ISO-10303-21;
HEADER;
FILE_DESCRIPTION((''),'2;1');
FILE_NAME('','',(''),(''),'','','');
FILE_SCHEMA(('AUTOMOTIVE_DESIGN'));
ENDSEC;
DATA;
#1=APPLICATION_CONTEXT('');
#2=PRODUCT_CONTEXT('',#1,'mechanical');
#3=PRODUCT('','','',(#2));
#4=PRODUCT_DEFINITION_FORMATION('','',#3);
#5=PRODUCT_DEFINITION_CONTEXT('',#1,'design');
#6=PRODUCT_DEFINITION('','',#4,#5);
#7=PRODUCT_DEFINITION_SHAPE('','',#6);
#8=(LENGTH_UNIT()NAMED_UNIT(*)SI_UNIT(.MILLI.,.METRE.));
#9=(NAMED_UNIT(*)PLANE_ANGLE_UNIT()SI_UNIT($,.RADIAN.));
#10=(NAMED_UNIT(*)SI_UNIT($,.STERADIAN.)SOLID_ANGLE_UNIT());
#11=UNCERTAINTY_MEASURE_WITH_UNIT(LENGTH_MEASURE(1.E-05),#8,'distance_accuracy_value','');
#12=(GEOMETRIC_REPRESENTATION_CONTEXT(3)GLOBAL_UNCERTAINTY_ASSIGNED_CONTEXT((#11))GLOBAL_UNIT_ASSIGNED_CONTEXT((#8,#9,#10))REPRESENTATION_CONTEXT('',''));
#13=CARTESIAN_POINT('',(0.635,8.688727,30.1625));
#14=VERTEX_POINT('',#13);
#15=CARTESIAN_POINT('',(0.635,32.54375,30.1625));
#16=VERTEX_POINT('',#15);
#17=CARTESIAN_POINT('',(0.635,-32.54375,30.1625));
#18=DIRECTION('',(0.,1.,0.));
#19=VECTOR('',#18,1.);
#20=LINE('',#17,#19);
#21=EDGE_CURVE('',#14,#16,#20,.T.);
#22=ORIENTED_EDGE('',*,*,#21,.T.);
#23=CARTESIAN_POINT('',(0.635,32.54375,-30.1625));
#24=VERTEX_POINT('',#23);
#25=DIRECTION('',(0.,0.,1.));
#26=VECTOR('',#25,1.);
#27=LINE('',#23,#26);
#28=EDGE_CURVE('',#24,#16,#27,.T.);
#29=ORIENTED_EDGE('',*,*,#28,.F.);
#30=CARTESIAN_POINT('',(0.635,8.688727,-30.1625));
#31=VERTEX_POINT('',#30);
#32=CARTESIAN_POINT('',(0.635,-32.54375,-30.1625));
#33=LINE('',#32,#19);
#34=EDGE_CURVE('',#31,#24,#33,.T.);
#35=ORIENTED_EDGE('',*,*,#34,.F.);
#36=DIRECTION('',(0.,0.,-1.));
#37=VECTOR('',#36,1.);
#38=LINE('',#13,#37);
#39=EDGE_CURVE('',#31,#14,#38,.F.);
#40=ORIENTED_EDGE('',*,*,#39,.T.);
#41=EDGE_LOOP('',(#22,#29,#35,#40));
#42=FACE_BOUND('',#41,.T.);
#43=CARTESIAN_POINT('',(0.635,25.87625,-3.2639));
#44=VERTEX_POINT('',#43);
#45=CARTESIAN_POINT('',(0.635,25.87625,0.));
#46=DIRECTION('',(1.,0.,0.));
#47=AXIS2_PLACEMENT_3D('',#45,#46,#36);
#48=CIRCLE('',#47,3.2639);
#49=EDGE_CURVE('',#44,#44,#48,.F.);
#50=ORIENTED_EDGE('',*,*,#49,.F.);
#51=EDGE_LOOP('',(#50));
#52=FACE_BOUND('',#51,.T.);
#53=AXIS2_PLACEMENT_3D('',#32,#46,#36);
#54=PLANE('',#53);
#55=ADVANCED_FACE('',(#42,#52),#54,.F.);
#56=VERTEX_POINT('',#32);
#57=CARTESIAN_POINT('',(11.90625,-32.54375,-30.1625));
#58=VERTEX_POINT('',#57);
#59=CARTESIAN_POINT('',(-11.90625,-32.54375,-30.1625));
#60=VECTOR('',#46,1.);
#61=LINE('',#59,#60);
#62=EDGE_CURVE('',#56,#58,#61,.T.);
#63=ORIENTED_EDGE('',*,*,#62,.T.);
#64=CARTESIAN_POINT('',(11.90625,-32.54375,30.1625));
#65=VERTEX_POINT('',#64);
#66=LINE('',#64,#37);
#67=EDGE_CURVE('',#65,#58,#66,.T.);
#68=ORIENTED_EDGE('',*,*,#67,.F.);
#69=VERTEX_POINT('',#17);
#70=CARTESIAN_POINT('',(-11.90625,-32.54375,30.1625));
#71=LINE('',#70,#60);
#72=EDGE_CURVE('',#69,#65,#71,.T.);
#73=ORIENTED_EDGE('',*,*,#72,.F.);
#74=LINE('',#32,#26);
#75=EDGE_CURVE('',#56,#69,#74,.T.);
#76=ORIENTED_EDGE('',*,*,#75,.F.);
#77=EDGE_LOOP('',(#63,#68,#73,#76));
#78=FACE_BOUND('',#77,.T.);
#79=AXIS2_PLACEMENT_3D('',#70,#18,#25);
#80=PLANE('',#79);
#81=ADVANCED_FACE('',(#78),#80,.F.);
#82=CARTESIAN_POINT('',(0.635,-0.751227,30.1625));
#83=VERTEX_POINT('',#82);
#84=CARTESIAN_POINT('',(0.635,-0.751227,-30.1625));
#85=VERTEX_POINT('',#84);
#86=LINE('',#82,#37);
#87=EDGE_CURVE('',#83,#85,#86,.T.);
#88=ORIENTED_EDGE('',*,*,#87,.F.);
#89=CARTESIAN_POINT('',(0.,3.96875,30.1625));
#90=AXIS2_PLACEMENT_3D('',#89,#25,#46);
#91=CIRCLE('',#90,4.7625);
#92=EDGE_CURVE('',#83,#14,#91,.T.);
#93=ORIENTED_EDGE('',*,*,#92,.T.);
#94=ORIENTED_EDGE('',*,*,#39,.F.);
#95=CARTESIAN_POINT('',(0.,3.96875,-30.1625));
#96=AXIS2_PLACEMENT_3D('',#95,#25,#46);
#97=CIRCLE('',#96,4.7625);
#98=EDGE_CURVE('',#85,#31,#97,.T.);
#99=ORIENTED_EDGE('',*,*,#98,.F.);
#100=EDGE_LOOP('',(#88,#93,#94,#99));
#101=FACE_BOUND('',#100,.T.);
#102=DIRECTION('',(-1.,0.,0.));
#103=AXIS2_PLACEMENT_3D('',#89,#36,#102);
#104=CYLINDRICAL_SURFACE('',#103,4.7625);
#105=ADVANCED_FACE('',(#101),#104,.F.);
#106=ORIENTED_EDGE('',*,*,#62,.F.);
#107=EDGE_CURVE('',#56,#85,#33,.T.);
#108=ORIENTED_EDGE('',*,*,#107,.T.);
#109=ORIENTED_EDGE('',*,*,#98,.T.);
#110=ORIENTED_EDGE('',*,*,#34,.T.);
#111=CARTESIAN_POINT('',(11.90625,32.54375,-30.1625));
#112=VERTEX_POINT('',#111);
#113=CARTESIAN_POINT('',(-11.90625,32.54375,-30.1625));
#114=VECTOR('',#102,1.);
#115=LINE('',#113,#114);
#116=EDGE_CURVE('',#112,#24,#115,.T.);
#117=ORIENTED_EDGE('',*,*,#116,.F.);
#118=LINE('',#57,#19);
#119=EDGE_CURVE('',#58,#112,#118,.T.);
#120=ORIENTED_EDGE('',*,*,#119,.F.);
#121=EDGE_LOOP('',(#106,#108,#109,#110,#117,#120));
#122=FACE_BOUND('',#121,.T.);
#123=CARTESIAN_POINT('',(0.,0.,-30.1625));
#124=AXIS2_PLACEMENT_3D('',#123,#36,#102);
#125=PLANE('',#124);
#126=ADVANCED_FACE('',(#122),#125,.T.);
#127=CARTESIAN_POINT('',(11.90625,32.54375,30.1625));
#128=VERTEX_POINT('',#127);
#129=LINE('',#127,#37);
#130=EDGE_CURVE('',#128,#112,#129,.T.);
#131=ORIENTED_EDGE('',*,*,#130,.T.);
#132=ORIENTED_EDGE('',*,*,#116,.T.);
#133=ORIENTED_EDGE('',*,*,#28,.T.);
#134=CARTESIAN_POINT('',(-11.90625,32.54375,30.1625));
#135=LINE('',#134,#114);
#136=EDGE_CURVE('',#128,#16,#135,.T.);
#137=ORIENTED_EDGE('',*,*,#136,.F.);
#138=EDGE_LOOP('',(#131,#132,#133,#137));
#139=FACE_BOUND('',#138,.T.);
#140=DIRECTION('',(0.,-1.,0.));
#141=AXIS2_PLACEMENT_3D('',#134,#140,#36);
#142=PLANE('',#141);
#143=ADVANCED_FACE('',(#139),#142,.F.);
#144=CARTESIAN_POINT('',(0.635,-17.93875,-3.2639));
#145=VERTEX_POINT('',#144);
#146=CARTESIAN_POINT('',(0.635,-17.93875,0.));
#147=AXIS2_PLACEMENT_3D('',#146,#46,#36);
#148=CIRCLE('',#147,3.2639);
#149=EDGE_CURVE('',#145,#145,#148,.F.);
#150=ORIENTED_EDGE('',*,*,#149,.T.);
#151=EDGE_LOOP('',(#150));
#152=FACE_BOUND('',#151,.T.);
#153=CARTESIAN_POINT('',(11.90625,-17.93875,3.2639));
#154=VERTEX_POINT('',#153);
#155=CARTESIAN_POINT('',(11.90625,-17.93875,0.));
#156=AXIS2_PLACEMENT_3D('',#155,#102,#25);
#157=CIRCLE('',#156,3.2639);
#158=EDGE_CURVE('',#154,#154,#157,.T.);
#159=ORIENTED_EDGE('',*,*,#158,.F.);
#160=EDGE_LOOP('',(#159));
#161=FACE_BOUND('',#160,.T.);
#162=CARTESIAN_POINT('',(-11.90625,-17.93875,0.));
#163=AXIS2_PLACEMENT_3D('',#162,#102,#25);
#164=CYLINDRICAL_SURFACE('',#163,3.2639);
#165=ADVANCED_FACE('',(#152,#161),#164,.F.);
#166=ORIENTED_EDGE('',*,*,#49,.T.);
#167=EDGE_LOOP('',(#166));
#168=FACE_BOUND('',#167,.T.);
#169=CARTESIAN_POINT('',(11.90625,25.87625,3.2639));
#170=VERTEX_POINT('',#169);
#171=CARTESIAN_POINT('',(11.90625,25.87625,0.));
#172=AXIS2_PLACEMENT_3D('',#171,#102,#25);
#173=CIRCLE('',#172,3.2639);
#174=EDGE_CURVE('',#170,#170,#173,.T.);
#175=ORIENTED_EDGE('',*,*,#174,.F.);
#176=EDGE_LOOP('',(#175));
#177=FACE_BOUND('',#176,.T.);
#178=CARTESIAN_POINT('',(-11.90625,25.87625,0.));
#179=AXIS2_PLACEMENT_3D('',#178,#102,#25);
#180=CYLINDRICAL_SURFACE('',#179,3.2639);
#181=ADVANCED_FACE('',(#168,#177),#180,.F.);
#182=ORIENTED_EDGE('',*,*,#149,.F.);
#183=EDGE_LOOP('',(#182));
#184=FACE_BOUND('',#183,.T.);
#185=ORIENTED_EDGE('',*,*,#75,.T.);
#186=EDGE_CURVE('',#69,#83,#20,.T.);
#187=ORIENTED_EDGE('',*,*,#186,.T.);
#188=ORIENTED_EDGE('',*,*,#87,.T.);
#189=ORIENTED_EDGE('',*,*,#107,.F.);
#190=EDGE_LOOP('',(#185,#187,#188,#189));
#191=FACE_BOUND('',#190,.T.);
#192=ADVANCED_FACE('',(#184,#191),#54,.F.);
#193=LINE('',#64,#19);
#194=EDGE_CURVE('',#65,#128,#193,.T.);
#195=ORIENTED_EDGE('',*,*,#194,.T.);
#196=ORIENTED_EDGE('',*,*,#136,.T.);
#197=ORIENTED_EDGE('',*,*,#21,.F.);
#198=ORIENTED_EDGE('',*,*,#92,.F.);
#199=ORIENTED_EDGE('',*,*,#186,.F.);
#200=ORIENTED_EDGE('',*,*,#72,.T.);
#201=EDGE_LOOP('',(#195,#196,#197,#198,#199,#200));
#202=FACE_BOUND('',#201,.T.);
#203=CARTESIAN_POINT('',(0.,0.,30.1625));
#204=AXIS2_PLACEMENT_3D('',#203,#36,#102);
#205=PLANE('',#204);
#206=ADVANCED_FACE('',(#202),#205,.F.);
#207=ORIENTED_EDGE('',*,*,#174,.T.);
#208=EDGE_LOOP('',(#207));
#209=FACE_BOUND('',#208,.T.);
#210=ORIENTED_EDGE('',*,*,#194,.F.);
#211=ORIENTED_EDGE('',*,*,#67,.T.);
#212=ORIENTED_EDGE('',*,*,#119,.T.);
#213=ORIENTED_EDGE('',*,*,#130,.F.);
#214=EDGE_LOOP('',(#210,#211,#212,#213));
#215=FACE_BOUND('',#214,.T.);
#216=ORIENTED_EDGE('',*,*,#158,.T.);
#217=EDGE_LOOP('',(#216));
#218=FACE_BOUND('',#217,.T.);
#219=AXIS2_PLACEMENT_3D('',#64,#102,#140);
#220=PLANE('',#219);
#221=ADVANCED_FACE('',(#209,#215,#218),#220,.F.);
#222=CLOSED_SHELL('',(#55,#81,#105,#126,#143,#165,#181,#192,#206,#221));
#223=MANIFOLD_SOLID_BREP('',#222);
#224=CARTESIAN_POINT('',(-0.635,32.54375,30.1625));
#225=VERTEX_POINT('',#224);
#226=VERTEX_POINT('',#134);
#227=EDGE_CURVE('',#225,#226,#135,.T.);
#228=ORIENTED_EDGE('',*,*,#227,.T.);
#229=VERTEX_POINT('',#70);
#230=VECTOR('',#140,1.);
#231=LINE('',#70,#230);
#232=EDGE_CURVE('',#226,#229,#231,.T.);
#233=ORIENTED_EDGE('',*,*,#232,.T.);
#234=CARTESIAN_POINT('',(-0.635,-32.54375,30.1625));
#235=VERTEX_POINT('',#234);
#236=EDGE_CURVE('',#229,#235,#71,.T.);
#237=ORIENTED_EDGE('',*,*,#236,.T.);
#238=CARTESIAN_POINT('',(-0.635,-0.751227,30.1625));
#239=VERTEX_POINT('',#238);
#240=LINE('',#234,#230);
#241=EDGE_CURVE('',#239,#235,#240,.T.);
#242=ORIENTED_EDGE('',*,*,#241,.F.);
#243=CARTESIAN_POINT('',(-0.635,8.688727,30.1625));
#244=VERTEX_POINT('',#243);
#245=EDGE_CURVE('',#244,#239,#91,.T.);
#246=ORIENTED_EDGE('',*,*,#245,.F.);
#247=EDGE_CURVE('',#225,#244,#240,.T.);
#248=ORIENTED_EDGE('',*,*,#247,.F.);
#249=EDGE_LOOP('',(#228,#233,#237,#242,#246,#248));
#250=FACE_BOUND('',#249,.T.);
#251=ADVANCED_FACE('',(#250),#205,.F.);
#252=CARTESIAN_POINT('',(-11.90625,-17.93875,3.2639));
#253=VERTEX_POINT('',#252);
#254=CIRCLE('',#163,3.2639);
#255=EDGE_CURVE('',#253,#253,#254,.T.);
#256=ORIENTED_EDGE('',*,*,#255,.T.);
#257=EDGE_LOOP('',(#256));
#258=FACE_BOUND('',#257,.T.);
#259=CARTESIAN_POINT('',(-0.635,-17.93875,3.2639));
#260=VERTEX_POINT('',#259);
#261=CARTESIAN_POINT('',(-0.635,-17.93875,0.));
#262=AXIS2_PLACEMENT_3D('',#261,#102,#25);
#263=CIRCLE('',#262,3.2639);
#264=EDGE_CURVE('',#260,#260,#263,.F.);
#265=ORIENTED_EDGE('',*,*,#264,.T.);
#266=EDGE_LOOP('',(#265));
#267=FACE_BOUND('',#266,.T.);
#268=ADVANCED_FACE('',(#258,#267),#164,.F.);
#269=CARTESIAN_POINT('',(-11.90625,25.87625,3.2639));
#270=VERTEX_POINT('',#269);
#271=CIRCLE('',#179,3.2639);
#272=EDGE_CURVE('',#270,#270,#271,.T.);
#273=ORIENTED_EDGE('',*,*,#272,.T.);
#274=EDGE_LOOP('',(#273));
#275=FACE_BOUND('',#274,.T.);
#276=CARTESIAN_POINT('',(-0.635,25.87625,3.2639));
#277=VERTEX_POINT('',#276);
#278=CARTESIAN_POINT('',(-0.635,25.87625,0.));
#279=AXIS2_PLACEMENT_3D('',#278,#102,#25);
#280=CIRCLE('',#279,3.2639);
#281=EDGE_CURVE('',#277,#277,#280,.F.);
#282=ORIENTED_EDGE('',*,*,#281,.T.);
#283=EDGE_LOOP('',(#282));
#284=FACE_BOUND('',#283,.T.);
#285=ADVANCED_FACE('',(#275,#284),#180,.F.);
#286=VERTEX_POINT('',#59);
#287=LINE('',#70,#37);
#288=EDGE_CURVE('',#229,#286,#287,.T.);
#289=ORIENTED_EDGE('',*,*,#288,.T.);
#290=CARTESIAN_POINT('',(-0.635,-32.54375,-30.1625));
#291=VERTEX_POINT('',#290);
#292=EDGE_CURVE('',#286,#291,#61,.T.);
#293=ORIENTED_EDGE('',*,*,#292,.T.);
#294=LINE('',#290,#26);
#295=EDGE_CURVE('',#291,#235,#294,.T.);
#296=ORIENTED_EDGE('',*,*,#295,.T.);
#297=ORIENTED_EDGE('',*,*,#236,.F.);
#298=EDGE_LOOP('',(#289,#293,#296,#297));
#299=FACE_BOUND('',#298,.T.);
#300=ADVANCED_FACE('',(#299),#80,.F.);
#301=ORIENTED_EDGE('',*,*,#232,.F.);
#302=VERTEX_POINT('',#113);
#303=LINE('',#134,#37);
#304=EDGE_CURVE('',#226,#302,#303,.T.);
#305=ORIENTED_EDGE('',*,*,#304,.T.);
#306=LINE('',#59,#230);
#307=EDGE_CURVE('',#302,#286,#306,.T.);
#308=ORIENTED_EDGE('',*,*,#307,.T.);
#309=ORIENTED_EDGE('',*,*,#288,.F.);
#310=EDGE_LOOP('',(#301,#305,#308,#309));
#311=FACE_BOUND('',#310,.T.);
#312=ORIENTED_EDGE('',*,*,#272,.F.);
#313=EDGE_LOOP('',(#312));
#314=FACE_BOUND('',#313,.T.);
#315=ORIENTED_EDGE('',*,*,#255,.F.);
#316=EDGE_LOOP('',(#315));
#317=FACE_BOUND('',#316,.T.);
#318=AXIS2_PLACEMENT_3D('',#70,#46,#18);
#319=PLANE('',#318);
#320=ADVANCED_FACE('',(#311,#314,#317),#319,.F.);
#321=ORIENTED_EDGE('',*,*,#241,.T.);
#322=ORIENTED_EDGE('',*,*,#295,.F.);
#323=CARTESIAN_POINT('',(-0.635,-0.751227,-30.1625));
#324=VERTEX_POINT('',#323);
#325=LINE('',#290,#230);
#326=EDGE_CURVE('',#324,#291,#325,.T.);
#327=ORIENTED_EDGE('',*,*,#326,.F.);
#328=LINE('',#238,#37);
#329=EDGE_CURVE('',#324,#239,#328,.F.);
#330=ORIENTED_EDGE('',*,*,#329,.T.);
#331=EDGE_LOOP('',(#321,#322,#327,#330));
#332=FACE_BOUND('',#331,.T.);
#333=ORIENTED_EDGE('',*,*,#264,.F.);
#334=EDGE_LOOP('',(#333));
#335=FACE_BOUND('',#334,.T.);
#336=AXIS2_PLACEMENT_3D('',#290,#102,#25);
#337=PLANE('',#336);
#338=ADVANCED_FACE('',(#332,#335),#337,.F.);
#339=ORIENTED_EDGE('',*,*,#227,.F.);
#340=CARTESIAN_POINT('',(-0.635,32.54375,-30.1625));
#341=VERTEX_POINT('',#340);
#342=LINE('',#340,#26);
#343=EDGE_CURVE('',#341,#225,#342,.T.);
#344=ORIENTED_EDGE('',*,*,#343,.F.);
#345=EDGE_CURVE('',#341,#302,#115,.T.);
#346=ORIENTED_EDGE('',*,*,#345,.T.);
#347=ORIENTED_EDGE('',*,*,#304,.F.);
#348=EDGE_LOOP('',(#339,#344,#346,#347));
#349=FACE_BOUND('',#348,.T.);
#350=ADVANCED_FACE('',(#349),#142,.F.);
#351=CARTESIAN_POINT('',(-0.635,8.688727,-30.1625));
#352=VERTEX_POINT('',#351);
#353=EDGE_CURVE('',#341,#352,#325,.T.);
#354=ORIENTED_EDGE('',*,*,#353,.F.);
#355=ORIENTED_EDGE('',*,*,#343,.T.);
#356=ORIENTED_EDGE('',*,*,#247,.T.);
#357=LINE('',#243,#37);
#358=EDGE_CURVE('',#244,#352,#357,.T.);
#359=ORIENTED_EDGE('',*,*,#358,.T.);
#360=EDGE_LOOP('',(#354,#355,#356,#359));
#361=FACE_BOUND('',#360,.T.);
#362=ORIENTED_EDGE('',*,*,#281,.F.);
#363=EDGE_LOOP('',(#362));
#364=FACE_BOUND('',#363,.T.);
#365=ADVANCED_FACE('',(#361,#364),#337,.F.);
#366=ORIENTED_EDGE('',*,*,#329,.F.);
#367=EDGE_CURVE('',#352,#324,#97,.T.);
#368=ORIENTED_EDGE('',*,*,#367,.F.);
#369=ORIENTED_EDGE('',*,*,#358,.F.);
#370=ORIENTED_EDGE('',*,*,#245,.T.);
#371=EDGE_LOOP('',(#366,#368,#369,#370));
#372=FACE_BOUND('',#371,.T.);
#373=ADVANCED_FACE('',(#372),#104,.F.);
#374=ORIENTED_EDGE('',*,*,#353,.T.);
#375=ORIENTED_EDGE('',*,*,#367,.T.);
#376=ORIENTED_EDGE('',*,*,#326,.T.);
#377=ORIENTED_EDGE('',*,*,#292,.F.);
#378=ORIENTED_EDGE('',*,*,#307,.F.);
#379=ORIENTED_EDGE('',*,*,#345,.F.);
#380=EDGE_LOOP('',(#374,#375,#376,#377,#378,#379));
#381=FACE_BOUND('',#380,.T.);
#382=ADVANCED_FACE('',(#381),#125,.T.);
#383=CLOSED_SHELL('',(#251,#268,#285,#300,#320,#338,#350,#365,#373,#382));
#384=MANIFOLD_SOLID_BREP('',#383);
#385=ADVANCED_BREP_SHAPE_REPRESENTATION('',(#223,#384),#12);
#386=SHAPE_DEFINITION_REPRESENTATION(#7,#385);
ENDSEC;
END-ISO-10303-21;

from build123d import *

# Parameters (mm, degrees)
SKETCH1_W               = 23.8125
SKETCH1_H               = 65.0875
SKETCH1_R               = 0.4699
SKETCH1_R_2             = 4.7625
BOSS_EXTRUDE1_DEPTH     = 30.1625
F_1_4_CLEARANCE_HOLE1_D = 6.5278
CUT_EXTRUDE1_DEPTH      = 46.941602708
CUT_EXTRUDE1_DEPTH_BACK = 46.941602708
SKETCH4_W               = 1.27
SKETCH4_H               = 65.0875


with BuildPart() as part:
    # Sketch1 → Boss-Extrude1 (new, symmetric)
    with BuildSketch(Plane.XY):
        Rectangle(SKETCH1_W, SKETCH1_H)
        with Locations((0, -13.49375)):
            Circle(SKETCH1_R, mode=Mode.SUBTRACT)
        with Locations((0, 21.43125)):
            Circle(SKETCH1_R, mode=Mode.SUBTRACT)
        with Locations(Location((0, 3.96875, 0), (0, 0, 180))):
            Circle(SKETCH1_R_2, mode=Mode.SUBTRACT)
    extrude(amount=BOSS_EXTRUDE1_DEPTH, both=True)

    # 1/4 Clearance Hole1 (through all)
    with Locations(Plane.ZY.offset(11.90625)):
        with Locations((0, 25.87625), (0, -17.93875)):
            Hole(F_1_4_CLEARANCE_HOLE1_D / 2)

    # Sketch4 → Cut-Extrude1 (cut, two sides: drawn at the far end of the back side and taken through both)
    with BuildSketch(Plane.XY.offset(-CUT_EXTRUDE1_DEPTH_BACK)):
        Rectangle(SKETCH4_W, SKETCH4_H)
    extrude(amount=CUT_EXTRUDE1_DEPTH + CUT_EXTRUDE1_DEPTH_BACK, mode=Mode.SUBTRACT)


with BuildPart() as cut_extrude1_piece_1:
    # of the separate pieces the step leaves, piece 1, a body of its own (cut_extrude1_pieces)
    add(part.part.solids().sort_by_distance((0.635, -32.54375, -30.1625))[0])


with BuildPart() as cut_extrude1_piece_2:
    # of the separate pieces the step leaves, piece 2, a body of its own (cut_extrude1_pieces)
    add(part.part.solids().sort_by_distance((-11.90625, -32.54375, 30.1625))[0])


solid = Compound([cut_extrude1_piece_1.part, cut_extrude1_piece_2.part])
